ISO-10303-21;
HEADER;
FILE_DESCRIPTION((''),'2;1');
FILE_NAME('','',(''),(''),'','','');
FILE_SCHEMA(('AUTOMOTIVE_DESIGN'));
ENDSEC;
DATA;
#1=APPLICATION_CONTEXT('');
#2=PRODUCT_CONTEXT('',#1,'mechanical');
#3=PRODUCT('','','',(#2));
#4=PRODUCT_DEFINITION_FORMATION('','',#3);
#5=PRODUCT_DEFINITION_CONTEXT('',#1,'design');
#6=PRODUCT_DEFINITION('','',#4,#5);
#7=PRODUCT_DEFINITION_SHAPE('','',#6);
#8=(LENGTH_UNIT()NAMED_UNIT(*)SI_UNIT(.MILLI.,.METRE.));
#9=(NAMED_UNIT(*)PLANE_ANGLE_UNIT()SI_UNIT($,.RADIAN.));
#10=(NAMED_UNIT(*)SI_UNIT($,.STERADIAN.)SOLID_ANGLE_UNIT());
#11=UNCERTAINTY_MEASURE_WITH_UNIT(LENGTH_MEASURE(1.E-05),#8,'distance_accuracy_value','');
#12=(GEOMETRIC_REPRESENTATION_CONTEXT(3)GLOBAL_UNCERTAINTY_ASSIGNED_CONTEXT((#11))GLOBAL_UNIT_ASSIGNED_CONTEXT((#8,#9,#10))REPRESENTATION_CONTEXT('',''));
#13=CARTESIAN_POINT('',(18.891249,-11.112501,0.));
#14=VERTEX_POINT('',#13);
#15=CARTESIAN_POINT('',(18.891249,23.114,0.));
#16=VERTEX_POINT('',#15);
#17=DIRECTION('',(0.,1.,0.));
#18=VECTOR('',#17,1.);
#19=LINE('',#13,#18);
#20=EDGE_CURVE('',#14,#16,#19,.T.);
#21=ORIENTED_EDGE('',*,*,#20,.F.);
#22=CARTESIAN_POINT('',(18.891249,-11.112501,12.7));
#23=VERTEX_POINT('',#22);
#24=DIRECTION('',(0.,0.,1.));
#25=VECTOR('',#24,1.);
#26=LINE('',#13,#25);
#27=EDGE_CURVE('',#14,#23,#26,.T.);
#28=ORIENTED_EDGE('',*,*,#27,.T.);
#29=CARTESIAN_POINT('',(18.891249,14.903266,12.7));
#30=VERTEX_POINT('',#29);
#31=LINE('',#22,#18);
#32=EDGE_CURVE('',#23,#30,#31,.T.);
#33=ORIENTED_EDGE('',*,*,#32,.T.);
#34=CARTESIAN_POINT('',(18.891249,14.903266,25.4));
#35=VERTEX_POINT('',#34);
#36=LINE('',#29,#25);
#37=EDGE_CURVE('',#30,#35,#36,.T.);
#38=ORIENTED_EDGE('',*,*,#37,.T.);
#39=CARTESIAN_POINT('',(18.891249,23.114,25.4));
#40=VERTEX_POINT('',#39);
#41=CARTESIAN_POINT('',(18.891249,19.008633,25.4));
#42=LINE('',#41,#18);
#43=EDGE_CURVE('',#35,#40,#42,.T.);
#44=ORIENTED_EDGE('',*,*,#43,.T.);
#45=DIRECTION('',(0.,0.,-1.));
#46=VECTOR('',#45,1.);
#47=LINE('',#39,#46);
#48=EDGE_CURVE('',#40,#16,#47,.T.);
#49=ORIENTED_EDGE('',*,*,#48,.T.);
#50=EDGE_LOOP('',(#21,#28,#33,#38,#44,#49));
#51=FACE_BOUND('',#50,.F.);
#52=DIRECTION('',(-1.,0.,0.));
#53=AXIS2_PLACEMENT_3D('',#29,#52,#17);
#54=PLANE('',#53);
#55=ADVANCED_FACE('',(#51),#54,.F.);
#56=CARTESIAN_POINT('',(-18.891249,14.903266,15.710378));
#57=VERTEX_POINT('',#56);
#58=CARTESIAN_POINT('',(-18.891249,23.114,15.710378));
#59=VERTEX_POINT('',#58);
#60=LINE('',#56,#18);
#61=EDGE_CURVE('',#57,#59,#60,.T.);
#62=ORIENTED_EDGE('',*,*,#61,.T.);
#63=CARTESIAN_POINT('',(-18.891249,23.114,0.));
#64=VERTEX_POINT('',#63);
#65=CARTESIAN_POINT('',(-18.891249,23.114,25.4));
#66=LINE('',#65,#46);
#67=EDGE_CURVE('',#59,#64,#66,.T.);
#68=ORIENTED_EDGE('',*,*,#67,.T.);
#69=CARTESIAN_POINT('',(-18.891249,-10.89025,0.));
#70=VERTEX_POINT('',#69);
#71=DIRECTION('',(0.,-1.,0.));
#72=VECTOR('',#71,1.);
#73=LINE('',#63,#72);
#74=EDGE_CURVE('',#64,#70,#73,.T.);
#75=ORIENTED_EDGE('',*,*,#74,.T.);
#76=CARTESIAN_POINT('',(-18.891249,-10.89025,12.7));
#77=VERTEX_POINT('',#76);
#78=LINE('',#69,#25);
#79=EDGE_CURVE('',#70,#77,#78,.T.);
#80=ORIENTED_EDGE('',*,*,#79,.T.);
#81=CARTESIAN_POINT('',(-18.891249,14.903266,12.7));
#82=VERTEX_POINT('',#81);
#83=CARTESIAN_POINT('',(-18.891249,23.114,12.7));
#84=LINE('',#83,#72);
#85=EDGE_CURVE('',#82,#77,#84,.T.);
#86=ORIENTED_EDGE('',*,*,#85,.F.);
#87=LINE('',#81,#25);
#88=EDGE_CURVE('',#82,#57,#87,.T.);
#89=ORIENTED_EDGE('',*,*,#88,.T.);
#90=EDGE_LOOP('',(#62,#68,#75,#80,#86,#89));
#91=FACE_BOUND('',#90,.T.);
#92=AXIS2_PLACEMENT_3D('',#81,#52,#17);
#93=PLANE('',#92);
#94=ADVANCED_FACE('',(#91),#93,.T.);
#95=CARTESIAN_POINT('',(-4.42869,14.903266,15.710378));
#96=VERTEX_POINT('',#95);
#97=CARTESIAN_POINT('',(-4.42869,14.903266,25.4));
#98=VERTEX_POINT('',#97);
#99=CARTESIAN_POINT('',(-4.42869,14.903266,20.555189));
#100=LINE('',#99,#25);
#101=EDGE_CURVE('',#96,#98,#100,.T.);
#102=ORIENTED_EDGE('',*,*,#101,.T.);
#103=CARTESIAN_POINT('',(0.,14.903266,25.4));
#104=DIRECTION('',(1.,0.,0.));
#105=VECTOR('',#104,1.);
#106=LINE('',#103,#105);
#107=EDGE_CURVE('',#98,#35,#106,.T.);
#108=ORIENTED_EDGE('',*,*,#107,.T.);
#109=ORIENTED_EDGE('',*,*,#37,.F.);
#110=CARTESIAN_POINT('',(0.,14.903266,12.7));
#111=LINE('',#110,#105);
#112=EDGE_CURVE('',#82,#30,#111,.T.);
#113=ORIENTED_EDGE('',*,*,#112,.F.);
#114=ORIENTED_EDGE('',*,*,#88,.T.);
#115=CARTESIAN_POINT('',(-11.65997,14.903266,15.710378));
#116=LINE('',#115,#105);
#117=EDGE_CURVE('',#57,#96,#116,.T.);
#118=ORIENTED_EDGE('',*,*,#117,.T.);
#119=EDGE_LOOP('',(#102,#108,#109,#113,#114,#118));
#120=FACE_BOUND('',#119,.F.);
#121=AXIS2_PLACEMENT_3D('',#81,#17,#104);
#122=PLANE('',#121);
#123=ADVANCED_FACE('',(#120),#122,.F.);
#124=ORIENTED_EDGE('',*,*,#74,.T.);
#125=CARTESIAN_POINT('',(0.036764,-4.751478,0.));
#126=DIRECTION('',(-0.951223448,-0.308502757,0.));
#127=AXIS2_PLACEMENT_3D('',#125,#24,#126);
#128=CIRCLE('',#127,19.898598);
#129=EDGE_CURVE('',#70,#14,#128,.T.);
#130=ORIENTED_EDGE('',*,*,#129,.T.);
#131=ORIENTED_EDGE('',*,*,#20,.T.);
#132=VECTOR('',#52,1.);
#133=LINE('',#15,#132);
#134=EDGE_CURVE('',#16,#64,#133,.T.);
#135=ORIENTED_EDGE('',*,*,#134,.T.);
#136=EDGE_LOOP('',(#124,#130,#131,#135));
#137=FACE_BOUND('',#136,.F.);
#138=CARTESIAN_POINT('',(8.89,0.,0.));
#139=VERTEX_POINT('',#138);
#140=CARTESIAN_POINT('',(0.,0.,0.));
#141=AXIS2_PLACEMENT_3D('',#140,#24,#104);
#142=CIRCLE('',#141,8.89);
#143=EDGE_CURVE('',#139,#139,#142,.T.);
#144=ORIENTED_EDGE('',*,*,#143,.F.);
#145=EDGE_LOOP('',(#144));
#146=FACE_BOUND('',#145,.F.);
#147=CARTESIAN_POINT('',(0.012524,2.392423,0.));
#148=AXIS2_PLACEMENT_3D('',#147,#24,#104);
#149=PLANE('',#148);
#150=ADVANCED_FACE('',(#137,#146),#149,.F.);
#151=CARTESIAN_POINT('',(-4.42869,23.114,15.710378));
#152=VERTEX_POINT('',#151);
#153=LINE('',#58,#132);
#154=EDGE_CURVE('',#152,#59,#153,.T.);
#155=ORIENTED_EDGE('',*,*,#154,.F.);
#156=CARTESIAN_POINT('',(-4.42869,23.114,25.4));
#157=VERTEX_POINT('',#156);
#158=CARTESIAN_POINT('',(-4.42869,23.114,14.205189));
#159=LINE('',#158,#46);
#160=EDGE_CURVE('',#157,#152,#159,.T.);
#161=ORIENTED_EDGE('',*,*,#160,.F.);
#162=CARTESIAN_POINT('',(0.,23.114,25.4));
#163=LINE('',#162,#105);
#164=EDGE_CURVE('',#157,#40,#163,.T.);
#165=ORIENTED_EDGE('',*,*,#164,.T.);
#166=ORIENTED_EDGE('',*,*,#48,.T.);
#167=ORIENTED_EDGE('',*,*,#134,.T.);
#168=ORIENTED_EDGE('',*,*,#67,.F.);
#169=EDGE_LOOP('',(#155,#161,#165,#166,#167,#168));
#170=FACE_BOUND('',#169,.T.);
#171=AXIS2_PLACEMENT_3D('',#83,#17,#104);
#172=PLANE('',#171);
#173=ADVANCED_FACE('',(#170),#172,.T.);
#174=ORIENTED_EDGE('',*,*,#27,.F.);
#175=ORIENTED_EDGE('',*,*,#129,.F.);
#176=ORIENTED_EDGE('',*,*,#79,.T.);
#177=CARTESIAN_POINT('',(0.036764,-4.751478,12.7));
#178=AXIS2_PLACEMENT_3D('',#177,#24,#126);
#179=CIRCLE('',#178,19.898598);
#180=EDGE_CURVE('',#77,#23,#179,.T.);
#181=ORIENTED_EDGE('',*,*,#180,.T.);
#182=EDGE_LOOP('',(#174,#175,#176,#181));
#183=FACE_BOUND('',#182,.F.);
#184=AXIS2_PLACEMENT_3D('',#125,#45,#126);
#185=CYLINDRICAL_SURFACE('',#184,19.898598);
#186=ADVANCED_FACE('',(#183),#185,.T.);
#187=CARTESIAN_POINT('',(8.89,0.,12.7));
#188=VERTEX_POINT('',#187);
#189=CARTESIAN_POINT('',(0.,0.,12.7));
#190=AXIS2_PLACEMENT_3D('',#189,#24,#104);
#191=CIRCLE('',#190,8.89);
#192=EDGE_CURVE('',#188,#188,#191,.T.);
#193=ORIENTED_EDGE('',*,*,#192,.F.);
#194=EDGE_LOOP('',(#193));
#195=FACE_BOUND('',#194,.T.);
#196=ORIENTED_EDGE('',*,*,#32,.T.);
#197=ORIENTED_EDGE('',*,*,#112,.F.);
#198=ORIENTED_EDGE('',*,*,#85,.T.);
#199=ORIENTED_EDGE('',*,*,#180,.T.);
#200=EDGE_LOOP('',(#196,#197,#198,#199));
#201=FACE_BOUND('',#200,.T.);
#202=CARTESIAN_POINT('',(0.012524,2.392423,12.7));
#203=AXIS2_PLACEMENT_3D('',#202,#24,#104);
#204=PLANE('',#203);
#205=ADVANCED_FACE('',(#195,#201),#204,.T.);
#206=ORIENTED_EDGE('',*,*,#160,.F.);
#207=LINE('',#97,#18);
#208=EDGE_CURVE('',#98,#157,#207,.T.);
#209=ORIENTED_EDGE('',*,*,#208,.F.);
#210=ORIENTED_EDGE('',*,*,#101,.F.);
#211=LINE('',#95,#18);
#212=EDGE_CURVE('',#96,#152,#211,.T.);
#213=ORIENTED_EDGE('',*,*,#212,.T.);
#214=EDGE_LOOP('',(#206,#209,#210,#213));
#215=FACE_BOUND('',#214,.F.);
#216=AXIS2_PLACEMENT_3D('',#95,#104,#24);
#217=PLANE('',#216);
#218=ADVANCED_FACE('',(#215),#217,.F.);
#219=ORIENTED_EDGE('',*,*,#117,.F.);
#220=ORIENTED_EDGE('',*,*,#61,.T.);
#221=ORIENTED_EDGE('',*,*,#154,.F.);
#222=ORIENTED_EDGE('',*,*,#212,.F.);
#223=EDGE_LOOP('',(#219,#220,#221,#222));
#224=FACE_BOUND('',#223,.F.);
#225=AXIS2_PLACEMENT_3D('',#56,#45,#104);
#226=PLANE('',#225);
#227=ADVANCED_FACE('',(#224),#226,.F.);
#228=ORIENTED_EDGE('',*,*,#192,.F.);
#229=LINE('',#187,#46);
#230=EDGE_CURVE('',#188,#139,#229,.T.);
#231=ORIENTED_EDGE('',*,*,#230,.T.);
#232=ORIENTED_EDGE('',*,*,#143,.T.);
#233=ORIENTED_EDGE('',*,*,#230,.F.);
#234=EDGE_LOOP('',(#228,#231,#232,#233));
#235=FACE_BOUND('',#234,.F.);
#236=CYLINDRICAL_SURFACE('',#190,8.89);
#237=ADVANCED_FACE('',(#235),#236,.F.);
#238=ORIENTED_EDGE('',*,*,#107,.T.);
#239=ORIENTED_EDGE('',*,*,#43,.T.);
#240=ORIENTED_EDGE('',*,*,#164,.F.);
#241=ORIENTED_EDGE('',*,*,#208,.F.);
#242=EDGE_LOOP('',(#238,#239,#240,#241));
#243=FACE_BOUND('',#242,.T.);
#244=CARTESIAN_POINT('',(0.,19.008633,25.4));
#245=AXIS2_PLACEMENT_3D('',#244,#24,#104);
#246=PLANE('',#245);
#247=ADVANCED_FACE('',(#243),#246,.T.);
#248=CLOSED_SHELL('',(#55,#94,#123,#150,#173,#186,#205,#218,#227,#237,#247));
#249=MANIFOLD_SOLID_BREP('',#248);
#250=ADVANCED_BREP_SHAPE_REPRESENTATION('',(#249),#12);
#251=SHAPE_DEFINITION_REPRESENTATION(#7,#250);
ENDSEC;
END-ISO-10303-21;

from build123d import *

# Parameters (mm, degrees)
F1_DEPTH = 12.7
F2_W     = 37.782497704
F2_H     = 8.2107339986
F3_DEPTH = 12.7
F4_W     = 14.4625585526
F4_H     = 9.6896222413
F5_DEPTH = 8.2117339986
F6_R     = 8.89
F7_DEPTH = 12.701


with BuildPart() as f1:
    # F0 (on Top) → F1 (new body)
    with BuildSketch(Plane.XY):
        with BuildLine():
            Line((18.891248852, -11.1125009134), (18.891248852, 23.1139999814))
            Line((18.891248852, 23.1139999814), (-18.891248852, 23.1139999814))
            Line((-18.891248852, 23.1139999814), (-18.891248852, -10.8902500942))
            ThreePointArc((-18.891248852, -10.8902500942), (-0.0802847481, -24.6497315476), (18.891248852, -11.1125009134))
        make_face()
    extrude(amount=F1_DEPTH)

    # F2 (on face) → F3 (join)
    with BuildSketch(Plane.XY.offset(12.7)):
        with Locations((0, 19.0086329821)):
            Rectangle(F2_W, F2_H)
    extrude(amount=F3_DEPTH)

    # F4 (on face) → F5 (cut, through all)
    with BuildSketch(Plane.XZ.offset(-14.9032659829)):
        with Locations((-11.6599695757, 20.5551888794)):
            Rectangle(F4_W, F4_H)
    extrude(amount=-F5_DEPTH, mode=Mode.SUBTRACT)

    # F6 (on face) → F7 (cut, through all)
    with BuildSketch(Plane.XY.offset(12.7)):
        Circle(F6_R)
    extrude(amount=-F7_DEPTH, mode=Mode.SUBTRACT)


solid = f1.part
